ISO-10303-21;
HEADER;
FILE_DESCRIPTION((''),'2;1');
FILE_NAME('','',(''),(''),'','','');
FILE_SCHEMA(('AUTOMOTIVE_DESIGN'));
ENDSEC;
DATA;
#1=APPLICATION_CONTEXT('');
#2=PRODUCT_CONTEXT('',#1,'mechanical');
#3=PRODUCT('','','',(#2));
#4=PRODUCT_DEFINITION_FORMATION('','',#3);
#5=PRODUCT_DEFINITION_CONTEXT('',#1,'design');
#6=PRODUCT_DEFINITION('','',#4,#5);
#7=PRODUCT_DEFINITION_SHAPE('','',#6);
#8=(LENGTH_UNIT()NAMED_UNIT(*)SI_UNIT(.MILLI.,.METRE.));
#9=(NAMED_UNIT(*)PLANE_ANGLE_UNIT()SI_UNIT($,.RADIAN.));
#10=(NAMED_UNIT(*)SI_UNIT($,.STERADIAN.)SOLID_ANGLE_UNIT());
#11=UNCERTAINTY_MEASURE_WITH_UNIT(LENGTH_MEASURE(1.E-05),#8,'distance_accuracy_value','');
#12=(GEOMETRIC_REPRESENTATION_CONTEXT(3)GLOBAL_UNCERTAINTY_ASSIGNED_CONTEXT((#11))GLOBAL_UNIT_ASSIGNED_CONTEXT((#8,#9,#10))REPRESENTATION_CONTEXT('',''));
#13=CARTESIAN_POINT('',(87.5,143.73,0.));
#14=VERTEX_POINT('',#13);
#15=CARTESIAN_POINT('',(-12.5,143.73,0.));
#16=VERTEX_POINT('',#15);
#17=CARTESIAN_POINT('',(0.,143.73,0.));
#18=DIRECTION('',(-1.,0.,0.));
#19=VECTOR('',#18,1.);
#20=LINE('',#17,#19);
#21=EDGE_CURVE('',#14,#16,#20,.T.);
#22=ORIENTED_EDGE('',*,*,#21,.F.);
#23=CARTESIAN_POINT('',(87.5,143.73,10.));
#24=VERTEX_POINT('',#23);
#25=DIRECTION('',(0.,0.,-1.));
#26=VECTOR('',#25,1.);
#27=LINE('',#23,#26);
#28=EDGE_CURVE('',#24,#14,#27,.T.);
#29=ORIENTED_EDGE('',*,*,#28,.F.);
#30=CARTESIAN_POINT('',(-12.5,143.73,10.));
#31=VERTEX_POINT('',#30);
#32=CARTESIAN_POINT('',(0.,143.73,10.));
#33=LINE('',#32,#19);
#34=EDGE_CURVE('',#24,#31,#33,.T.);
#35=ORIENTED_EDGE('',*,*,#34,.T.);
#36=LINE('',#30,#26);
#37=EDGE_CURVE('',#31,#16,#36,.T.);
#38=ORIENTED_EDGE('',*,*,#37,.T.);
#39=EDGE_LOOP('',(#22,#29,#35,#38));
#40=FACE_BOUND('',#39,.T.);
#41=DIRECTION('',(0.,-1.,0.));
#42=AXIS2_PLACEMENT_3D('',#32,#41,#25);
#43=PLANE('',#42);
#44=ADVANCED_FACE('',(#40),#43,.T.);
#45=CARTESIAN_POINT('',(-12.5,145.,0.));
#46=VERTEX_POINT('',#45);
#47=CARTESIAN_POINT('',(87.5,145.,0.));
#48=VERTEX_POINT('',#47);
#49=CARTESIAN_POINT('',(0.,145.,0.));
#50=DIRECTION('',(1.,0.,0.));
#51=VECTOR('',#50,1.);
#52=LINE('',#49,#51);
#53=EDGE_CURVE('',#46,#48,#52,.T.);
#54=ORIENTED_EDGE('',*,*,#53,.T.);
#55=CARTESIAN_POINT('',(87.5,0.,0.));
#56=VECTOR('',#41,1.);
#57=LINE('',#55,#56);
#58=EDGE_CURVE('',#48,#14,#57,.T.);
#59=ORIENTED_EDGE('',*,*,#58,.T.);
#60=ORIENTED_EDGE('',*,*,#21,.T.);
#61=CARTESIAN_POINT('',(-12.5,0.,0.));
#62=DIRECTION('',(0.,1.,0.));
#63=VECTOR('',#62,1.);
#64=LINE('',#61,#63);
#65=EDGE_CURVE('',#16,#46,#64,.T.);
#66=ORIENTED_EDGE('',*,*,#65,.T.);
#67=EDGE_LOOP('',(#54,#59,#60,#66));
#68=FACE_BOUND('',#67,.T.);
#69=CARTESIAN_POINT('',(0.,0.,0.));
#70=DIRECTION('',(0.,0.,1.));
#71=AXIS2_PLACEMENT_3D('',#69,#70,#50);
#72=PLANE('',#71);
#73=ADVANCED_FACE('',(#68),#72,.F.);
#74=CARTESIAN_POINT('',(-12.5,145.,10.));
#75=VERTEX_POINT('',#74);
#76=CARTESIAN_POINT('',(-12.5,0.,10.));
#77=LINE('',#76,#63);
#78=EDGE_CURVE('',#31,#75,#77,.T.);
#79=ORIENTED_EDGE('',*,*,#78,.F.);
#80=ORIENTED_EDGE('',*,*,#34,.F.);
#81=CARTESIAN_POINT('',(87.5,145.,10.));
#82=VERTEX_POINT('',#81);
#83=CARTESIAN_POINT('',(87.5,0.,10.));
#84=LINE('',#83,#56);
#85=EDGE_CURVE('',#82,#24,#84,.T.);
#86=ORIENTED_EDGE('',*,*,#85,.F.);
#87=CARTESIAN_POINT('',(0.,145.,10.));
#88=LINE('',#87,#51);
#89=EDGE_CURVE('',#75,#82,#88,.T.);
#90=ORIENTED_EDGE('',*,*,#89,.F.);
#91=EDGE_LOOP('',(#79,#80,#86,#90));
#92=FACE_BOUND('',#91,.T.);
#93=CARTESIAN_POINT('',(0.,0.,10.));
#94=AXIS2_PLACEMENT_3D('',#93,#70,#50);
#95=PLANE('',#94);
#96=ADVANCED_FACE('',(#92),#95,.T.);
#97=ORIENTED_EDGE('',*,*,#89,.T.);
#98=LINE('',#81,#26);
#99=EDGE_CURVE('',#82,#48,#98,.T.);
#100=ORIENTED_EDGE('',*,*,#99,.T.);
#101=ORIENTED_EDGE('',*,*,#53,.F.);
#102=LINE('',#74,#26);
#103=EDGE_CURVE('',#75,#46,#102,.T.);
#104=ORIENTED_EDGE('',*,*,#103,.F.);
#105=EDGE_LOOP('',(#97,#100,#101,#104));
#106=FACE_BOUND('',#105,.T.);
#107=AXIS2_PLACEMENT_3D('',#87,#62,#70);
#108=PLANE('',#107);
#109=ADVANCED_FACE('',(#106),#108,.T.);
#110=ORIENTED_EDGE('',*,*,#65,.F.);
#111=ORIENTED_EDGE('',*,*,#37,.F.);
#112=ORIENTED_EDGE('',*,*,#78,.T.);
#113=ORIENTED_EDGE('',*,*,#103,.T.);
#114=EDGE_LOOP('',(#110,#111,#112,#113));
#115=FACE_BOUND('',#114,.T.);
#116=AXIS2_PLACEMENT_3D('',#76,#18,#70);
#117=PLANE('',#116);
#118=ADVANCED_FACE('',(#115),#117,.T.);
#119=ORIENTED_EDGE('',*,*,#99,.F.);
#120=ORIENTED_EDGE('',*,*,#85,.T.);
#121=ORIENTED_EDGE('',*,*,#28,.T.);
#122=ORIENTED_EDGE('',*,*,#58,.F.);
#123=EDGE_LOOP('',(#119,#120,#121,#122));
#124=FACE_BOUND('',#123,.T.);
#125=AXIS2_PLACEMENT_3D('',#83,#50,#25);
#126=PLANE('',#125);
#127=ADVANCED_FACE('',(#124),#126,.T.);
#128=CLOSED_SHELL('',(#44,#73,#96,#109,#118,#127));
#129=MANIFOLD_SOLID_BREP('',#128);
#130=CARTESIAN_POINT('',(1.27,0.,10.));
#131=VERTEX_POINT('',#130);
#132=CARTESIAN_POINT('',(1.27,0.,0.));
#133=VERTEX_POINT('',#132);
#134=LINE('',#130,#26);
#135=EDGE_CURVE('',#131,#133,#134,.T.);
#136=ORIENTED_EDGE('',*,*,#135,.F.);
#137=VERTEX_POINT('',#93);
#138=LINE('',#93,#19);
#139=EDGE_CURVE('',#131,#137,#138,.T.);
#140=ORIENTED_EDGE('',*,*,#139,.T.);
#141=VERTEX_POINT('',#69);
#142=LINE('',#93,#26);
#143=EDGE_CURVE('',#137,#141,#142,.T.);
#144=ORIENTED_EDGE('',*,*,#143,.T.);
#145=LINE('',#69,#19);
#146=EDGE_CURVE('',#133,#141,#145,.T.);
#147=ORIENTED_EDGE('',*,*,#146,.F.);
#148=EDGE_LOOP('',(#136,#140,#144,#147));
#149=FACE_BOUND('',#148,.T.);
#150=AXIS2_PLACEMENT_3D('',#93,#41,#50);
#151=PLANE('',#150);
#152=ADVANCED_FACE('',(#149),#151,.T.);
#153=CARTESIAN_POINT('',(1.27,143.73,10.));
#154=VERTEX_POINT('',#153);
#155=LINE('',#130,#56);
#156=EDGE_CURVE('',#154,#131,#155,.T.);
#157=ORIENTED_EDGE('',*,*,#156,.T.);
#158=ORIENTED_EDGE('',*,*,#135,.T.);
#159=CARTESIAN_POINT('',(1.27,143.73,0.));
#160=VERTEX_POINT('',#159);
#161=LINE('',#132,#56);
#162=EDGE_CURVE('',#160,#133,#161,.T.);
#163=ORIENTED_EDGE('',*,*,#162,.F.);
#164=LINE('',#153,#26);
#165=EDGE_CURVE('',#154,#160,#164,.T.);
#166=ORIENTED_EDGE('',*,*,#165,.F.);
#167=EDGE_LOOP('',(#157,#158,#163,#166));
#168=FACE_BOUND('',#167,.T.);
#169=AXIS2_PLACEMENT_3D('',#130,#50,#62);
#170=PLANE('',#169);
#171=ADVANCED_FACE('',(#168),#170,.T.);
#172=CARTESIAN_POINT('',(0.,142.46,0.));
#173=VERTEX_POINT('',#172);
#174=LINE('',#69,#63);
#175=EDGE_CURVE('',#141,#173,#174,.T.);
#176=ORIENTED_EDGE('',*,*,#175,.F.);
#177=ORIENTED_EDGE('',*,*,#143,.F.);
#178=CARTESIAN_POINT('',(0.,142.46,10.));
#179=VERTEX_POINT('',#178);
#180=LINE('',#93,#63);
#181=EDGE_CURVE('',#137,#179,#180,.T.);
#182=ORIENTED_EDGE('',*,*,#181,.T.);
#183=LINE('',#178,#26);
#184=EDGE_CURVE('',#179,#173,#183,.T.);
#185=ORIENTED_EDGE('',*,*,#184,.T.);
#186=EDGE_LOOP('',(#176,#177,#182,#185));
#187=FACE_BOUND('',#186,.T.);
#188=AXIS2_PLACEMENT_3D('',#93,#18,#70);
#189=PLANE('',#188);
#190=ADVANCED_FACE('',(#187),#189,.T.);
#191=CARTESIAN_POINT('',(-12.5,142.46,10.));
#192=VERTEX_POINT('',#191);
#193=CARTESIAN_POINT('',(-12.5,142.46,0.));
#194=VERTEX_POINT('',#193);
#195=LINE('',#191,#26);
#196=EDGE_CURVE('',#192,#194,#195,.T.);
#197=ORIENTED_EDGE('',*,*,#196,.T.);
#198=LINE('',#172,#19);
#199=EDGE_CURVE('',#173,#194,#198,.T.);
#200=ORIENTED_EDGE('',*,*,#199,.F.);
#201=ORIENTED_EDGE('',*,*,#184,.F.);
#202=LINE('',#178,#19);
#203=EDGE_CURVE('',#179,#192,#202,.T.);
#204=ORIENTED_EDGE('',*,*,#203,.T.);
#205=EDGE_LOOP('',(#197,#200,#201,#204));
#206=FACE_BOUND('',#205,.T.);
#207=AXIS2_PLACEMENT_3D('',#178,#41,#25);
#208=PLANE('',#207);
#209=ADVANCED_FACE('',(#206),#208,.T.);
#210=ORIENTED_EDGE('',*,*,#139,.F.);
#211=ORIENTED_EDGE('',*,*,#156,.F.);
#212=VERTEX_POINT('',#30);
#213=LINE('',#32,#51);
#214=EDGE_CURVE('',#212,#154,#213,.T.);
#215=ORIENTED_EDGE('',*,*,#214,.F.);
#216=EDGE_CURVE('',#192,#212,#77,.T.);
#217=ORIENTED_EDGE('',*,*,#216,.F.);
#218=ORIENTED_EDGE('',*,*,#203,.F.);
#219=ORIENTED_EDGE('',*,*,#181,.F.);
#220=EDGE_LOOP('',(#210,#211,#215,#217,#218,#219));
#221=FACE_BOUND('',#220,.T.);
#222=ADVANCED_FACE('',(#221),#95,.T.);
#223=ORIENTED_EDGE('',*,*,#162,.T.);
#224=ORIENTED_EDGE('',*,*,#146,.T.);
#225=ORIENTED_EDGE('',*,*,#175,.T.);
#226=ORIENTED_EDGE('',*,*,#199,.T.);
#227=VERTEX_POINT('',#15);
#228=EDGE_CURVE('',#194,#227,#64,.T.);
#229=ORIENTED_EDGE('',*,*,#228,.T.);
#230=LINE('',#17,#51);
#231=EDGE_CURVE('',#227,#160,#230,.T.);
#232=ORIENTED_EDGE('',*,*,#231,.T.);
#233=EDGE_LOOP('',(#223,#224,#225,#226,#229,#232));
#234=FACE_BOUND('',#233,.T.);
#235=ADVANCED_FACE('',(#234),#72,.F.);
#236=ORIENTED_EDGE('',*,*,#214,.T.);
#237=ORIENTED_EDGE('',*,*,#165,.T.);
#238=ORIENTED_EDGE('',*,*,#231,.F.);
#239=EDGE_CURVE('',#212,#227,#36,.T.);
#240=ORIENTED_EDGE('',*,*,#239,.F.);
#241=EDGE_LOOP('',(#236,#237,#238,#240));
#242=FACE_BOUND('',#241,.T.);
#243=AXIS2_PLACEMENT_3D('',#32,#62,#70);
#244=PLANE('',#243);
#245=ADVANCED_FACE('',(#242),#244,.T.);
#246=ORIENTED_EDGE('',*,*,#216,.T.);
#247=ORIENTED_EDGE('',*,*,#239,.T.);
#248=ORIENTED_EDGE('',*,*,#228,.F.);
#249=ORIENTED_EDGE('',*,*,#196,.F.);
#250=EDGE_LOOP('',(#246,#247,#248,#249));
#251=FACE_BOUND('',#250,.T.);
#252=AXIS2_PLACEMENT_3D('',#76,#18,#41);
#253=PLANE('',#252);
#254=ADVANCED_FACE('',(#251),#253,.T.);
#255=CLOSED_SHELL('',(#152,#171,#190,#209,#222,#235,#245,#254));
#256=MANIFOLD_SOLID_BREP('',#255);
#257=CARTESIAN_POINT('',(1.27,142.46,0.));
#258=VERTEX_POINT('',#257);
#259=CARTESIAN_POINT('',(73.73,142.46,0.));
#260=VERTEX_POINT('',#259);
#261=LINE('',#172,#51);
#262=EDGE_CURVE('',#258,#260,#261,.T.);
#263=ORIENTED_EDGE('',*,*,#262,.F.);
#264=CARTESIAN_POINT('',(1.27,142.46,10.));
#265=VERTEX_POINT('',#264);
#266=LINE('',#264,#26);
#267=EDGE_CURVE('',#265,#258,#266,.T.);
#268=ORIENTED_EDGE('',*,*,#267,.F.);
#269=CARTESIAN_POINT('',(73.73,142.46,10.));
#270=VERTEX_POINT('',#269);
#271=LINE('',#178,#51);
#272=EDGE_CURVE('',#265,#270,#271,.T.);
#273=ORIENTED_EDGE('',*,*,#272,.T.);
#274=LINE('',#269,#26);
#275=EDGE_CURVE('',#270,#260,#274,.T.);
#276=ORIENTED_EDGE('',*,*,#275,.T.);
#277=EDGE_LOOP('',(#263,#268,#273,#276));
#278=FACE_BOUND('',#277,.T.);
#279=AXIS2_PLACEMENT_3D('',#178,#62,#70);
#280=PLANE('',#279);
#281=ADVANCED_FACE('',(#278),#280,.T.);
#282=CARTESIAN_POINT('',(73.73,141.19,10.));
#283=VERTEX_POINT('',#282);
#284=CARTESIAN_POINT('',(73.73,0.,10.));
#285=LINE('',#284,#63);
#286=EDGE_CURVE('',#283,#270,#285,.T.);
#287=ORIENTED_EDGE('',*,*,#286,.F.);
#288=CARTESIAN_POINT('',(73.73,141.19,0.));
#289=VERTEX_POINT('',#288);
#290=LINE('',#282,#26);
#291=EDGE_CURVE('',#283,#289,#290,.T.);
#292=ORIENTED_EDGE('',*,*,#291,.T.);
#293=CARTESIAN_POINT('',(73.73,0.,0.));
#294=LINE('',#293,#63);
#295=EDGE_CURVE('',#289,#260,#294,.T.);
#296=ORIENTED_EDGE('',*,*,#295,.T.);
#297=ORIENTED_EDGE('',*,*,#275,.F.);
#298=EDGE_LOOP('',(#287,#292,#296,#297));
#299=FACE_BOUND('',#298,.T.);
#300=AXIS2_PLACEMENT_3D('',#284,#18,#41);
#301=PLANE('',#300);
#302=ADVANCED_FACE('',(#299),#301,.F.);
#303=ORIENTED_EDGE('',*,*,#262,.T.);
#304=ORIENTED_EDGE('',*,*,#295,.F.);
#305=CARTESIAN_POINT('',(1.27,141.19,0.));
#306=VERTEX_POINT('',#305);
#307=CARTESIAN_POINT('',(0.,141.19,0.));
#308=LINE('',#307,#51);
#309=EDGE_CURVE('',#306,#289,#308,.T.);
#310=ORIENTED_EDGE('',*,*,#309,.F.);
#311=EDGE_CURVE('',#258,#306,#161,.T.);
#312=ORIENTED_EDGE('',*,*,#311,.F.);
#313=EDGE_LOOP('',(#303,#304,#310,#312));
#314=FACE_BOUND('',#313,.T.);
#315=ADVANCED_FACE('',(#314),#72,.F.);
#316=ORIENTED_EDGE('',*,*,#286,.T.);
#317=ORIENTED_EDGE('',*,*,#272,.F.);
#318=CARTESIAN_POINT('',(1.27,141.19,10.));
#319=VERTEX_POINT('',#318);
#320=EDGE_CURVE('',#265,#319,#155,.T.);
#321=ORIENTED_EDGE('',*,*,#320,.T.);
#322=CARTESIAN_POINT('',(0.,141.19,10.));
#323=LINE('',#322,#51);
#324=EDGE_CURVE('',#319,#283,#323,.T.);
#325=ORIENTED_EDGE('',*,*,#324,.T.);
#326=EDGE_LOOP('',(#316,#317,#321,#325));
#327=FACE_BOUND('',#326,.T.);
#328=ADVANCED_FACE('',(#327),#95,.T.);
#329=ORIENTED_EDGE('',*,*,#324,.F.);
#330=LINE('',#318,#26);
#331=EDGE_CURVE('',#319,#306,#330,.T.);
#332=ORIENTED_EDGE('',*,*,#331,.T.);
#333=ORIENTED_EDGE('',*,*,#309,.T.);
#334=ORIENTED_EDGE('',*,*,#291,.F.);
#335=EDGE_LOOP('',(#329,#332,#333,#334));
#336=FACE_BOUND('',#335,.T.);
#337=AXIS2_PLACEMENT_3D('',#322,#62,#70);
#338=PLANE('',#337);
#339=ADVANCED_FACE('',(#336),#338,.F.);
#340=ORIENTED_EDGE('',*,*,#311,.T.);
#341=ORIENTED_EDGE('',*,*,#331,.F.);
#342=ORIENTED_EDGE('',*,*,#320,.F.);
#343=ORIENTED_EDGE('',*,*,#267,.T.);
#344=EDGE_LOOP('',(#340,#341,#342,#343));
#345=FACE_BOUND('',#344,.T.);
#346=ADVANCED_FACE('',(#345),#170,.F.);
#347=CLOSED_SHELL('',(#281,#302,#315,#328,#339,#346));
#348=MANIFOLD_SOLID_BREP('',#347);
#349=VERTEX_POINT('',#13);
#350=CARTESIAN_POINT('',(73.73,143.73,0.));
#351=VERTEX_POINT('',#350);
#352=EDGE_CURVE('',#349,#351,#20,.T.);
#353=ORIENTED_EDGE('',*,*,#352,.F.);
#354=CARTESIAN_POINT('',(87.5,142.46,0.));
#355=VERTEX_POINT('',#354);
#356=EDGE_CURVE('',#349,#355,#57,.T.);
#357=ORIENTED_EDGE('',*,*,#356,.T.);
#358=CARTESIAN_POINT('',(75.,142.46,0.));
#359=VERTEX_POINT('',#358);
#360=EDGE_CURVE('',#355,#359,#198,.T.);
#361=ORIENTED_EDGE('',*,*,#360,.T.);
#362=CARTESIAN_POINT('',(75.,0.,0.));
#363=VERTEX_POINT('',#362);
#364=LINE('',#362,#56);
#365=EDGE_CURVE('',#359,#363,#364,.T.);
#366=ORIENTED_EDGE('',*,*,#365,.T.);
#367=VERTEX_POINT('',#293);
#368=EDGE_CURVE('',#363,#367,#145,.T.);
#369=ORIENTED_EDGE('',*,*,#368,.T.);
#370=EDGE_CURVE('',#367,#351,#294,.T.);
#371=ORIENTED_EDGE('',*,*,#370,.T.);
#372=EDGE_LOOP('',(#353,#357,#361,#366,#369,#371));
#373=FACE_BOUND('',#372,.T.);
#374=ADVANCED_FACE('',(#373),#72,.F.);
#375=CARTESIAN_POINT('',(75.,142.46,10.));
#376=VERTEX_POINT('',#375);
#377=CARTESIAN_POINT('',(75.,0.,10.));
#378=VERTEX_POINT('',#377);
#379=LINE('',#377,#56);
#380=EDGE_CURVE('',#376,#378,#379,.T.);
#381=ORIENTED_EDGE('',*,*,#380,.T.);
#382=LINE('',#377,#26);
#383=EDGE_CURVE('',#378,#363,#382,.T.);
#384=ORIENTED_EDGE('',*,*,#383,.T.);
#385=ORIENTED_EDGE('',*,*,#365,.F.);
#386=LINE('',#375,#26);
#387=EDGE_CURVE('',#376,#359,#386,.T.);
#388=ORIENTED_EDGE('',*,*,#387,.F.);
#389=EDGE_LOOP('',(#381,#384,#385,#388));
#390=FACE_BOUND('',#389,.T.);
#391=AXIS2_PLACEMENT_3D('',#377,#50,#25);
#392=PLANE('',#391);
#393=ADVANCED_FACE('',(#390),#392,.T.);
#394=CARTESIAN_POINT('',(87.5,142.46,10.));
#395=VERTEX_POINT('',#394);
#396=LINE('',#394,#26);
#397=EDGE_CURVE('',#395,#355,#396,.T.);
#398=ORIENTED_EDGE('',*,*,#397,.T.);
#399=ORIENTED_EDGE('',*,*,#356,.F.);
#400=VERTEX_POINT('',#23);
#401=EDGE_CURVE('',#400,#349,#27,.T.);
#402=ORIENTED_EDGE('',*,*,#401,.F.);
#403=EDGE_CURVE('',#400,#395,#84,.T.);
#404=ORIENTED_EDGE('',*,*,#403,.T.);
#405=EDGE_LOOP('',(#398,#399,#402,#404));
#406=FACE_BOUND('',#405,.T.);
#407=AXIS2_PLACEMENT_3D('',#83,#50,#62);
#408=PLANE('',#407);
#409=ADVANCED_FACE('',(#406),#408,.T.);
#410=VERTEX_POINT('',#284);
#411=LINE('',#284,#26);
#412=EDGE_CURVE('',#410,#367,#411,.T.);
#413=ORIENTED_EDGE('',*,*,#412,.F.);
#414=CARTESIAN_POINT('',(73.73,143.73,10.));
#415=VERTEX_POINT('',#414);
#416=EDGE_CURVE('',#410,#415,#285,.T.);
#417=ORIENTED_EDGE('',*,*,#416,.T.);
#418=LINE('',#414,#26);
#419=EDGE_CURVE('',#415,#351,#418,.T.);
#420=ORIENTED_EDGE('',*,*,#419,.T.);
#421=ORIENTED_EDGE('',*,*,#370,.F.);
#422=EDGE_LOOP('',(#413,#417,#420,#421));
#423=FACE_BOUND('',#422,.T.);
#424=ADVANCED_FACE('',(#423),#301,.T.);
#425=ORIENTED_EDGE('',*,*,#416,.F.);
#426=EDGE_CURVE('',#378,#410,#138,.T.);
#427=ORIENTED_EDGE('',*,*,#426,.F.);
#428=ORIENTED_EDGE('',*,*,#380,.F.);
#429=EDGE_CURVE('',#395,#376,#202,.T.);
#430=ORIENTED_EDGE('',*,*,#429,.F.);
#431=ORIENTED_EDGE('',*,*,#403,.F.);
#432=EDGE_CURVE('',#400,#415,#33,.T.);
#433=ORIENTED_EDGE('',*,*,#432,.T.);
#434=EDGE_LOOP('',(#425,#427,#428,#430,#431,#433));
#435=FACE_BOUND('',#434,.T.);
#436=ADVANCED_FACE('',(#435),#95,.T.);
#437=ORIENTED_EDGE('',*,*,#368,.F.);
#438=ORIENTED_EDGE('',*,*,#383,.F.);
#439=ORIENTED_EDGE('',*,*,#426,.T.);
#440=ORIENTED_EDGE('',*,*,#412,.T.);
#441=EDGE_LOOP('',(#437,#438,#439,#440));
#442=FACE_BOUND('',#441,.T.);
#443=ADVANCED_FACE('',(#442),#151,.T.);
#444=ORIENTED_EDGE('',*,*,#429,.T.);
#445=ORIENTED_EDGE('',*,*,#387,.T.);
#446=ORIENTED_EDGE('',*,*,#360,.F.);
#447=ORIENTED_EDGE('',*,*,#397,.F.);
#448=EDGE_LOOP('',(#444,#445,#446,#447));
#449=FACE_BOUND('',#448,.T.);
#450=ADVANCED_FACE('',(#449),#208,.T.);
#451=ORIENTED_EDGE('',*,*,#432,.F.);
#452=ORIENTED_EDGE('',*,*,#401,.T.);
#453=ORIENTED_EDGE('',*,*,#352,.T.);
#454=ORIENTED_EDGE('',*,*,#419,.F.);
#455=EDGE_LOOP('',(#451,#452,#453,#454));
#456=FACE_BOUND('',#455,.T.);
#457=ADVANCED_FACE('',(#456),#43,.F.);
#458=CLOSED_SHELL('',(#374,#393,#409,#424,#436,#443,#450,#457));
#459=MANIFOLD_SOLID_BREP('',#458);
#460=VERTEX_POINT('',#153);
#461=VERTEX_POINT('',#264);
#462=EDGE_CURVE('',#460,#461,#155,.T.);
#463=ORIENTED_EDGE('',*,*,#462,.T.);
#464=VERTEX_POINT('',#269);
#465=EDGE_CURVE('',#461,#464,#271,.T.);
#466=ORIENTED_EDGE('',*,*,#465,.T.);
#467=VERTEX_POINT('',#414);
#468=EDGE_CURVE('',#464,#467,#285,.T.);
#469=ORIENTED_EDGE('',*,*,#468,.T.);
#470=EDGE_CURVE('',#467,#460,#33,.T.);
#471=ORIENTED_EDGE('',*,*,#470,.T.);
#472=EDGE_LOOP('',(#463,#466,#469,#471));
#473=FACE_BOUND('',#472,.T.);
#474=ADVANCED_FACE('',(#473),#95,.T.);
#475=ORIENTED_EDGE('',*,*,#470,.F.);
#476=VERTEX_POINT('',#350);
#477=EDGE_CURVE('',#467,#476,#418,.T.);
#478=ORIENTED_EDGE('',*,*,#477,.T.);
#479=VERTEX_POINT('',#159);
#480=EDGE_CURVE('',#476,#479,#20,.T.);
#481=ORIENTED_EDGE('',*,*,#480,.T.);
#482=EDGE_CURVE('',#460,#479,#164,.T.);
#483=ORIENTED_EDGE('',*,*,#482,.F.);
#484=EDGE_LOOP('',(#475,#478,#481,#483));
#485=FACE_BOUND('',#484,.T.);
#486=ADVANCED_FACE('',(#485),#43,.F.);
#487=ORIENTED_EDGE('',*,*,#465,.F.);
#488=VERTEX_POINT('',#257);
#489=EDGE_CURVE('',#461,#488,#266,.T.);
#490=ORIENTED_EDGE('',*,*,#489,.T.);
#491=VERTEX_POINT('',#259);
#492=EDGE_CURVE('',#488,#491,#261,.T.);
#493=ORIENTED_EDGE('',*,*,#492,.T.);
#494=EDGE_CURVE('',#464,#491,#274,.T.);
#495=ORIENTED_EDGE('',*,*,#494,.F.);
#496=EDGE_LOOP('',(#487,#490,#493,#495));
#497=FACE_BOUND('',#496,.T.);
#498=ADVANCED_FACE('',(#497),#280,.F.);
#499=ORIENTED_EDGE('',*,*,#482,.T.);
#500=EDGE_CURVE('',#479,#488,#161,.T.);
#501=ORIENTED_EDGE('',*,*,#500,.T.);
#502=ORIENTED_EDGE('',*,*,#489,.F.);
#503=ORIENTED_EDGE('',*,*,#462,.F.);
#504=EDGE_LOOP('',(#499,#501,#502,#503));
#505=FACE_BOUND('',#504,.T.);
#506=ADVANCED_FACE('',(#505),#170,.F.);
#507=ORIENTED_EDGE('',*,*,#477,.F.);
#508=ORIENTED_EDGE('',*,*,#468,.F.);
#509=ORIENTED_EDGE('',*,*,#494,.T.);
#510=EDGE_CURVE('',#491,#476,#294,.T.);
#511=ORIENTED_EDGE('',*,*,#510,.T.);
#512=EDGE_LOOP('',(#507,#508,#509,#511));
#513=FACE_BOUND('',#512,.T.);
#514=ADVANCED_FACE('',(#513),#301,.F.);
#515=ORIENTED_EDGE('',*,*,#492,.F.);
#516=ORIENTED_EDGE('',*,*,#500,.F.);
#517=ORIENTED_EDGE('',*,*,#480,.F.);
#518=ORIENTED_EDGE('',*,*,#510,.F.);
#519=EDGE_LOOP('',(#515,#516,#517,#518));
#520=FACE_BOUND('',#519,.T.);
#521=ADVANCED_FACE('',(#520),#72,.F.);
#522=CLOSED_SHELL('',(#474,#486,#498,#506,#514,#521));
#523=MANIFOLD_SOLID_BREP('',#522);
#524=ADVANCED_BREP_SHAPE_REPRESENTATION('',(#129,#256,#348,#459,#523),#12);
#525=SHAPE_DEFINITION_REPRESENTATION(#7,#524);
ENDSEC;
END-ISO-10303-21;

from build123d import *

# Parameters (mm, degrees)
BOSS_EXTRUDE1_DEPTH   = 10
BOSS_EXTRUDE1_2_DEPTH = 10
SKETCH2_4_W           = 72.46
SKETCH2_4_H           = 1.27
BOSS_EXTRUDE2_DEPTH   = 10
BOSS_EXTRUDE3_DEPTH   = 10
SKETCH2_7_W           = 72.46
SKETCH2_7_H           = 1.27
BOSS_EXTRUDE4_DEPTH   = 10


with BuildPart() as part:
    # Sketch2 → Boss-Extrude1 (new body)
    with BuildSketch(Plane.XY):
        Polygon((0, 142.46), (0, 0), (1.27, 0), (1.27, 143.73), (-12.5, 143.73), (-12.5, 142.46), align=None)
    extrude(amount=BOSS_EXTRUDE1_DEPTH)


with BuildPart() as body_2:
    # Sketch2 → Boss-Extrude1 2 (new body)
    with BuildSketch(Plane.XY):
        Polygon((73.73, 143.73), (73.73, 0), (75, 0), (75, 142.46), (87.5, 142.46), (87.5, 143.73), align=None)
    extrude(amount=BOSS_EXTRUDE1_2_DEPTH)


with BuildPart() as body_3:
    # Sketch2<4> → Boss-Extrude2 (new body)
    with BuildSketch(Plane.XY):
        with Locations((37.5, 143.095)):
            Rectangle(SKETCH2_4_W, SKETCH2_4_H)
    extrude(amount=BOSS_EXTRUDE2_DEPTH)


with BuildPart() as body_4:
    # Sketch2<5> → Boss-Extrude3 (new body)
    with BuildSketch(Plane.XY):
        Polygon((-12.5, 145), (-12.5, 143.73), (1.27, 143.73), (73.73, 143.73), (87.5, 143.73), (87.5, 145), align=None)
    extrude(amount=BOSS_EXTRUDE3_DEPTH)


with BuildPart() as body_5:
    # Sketch2<7> → Boss-Extrude4 (new body)
    with BuildSketch(Plane.XY):
        with Locations((37.5, 141.825)):
            Rectangle(SKETCH2_7_W, SKETCH2_7_H)
    extrude(amount=BOSS_EXTRUDE4_DEPTH)


solid = Compound([part.part, body_2.part, body_3.part, body_4.part, body_5.part])
